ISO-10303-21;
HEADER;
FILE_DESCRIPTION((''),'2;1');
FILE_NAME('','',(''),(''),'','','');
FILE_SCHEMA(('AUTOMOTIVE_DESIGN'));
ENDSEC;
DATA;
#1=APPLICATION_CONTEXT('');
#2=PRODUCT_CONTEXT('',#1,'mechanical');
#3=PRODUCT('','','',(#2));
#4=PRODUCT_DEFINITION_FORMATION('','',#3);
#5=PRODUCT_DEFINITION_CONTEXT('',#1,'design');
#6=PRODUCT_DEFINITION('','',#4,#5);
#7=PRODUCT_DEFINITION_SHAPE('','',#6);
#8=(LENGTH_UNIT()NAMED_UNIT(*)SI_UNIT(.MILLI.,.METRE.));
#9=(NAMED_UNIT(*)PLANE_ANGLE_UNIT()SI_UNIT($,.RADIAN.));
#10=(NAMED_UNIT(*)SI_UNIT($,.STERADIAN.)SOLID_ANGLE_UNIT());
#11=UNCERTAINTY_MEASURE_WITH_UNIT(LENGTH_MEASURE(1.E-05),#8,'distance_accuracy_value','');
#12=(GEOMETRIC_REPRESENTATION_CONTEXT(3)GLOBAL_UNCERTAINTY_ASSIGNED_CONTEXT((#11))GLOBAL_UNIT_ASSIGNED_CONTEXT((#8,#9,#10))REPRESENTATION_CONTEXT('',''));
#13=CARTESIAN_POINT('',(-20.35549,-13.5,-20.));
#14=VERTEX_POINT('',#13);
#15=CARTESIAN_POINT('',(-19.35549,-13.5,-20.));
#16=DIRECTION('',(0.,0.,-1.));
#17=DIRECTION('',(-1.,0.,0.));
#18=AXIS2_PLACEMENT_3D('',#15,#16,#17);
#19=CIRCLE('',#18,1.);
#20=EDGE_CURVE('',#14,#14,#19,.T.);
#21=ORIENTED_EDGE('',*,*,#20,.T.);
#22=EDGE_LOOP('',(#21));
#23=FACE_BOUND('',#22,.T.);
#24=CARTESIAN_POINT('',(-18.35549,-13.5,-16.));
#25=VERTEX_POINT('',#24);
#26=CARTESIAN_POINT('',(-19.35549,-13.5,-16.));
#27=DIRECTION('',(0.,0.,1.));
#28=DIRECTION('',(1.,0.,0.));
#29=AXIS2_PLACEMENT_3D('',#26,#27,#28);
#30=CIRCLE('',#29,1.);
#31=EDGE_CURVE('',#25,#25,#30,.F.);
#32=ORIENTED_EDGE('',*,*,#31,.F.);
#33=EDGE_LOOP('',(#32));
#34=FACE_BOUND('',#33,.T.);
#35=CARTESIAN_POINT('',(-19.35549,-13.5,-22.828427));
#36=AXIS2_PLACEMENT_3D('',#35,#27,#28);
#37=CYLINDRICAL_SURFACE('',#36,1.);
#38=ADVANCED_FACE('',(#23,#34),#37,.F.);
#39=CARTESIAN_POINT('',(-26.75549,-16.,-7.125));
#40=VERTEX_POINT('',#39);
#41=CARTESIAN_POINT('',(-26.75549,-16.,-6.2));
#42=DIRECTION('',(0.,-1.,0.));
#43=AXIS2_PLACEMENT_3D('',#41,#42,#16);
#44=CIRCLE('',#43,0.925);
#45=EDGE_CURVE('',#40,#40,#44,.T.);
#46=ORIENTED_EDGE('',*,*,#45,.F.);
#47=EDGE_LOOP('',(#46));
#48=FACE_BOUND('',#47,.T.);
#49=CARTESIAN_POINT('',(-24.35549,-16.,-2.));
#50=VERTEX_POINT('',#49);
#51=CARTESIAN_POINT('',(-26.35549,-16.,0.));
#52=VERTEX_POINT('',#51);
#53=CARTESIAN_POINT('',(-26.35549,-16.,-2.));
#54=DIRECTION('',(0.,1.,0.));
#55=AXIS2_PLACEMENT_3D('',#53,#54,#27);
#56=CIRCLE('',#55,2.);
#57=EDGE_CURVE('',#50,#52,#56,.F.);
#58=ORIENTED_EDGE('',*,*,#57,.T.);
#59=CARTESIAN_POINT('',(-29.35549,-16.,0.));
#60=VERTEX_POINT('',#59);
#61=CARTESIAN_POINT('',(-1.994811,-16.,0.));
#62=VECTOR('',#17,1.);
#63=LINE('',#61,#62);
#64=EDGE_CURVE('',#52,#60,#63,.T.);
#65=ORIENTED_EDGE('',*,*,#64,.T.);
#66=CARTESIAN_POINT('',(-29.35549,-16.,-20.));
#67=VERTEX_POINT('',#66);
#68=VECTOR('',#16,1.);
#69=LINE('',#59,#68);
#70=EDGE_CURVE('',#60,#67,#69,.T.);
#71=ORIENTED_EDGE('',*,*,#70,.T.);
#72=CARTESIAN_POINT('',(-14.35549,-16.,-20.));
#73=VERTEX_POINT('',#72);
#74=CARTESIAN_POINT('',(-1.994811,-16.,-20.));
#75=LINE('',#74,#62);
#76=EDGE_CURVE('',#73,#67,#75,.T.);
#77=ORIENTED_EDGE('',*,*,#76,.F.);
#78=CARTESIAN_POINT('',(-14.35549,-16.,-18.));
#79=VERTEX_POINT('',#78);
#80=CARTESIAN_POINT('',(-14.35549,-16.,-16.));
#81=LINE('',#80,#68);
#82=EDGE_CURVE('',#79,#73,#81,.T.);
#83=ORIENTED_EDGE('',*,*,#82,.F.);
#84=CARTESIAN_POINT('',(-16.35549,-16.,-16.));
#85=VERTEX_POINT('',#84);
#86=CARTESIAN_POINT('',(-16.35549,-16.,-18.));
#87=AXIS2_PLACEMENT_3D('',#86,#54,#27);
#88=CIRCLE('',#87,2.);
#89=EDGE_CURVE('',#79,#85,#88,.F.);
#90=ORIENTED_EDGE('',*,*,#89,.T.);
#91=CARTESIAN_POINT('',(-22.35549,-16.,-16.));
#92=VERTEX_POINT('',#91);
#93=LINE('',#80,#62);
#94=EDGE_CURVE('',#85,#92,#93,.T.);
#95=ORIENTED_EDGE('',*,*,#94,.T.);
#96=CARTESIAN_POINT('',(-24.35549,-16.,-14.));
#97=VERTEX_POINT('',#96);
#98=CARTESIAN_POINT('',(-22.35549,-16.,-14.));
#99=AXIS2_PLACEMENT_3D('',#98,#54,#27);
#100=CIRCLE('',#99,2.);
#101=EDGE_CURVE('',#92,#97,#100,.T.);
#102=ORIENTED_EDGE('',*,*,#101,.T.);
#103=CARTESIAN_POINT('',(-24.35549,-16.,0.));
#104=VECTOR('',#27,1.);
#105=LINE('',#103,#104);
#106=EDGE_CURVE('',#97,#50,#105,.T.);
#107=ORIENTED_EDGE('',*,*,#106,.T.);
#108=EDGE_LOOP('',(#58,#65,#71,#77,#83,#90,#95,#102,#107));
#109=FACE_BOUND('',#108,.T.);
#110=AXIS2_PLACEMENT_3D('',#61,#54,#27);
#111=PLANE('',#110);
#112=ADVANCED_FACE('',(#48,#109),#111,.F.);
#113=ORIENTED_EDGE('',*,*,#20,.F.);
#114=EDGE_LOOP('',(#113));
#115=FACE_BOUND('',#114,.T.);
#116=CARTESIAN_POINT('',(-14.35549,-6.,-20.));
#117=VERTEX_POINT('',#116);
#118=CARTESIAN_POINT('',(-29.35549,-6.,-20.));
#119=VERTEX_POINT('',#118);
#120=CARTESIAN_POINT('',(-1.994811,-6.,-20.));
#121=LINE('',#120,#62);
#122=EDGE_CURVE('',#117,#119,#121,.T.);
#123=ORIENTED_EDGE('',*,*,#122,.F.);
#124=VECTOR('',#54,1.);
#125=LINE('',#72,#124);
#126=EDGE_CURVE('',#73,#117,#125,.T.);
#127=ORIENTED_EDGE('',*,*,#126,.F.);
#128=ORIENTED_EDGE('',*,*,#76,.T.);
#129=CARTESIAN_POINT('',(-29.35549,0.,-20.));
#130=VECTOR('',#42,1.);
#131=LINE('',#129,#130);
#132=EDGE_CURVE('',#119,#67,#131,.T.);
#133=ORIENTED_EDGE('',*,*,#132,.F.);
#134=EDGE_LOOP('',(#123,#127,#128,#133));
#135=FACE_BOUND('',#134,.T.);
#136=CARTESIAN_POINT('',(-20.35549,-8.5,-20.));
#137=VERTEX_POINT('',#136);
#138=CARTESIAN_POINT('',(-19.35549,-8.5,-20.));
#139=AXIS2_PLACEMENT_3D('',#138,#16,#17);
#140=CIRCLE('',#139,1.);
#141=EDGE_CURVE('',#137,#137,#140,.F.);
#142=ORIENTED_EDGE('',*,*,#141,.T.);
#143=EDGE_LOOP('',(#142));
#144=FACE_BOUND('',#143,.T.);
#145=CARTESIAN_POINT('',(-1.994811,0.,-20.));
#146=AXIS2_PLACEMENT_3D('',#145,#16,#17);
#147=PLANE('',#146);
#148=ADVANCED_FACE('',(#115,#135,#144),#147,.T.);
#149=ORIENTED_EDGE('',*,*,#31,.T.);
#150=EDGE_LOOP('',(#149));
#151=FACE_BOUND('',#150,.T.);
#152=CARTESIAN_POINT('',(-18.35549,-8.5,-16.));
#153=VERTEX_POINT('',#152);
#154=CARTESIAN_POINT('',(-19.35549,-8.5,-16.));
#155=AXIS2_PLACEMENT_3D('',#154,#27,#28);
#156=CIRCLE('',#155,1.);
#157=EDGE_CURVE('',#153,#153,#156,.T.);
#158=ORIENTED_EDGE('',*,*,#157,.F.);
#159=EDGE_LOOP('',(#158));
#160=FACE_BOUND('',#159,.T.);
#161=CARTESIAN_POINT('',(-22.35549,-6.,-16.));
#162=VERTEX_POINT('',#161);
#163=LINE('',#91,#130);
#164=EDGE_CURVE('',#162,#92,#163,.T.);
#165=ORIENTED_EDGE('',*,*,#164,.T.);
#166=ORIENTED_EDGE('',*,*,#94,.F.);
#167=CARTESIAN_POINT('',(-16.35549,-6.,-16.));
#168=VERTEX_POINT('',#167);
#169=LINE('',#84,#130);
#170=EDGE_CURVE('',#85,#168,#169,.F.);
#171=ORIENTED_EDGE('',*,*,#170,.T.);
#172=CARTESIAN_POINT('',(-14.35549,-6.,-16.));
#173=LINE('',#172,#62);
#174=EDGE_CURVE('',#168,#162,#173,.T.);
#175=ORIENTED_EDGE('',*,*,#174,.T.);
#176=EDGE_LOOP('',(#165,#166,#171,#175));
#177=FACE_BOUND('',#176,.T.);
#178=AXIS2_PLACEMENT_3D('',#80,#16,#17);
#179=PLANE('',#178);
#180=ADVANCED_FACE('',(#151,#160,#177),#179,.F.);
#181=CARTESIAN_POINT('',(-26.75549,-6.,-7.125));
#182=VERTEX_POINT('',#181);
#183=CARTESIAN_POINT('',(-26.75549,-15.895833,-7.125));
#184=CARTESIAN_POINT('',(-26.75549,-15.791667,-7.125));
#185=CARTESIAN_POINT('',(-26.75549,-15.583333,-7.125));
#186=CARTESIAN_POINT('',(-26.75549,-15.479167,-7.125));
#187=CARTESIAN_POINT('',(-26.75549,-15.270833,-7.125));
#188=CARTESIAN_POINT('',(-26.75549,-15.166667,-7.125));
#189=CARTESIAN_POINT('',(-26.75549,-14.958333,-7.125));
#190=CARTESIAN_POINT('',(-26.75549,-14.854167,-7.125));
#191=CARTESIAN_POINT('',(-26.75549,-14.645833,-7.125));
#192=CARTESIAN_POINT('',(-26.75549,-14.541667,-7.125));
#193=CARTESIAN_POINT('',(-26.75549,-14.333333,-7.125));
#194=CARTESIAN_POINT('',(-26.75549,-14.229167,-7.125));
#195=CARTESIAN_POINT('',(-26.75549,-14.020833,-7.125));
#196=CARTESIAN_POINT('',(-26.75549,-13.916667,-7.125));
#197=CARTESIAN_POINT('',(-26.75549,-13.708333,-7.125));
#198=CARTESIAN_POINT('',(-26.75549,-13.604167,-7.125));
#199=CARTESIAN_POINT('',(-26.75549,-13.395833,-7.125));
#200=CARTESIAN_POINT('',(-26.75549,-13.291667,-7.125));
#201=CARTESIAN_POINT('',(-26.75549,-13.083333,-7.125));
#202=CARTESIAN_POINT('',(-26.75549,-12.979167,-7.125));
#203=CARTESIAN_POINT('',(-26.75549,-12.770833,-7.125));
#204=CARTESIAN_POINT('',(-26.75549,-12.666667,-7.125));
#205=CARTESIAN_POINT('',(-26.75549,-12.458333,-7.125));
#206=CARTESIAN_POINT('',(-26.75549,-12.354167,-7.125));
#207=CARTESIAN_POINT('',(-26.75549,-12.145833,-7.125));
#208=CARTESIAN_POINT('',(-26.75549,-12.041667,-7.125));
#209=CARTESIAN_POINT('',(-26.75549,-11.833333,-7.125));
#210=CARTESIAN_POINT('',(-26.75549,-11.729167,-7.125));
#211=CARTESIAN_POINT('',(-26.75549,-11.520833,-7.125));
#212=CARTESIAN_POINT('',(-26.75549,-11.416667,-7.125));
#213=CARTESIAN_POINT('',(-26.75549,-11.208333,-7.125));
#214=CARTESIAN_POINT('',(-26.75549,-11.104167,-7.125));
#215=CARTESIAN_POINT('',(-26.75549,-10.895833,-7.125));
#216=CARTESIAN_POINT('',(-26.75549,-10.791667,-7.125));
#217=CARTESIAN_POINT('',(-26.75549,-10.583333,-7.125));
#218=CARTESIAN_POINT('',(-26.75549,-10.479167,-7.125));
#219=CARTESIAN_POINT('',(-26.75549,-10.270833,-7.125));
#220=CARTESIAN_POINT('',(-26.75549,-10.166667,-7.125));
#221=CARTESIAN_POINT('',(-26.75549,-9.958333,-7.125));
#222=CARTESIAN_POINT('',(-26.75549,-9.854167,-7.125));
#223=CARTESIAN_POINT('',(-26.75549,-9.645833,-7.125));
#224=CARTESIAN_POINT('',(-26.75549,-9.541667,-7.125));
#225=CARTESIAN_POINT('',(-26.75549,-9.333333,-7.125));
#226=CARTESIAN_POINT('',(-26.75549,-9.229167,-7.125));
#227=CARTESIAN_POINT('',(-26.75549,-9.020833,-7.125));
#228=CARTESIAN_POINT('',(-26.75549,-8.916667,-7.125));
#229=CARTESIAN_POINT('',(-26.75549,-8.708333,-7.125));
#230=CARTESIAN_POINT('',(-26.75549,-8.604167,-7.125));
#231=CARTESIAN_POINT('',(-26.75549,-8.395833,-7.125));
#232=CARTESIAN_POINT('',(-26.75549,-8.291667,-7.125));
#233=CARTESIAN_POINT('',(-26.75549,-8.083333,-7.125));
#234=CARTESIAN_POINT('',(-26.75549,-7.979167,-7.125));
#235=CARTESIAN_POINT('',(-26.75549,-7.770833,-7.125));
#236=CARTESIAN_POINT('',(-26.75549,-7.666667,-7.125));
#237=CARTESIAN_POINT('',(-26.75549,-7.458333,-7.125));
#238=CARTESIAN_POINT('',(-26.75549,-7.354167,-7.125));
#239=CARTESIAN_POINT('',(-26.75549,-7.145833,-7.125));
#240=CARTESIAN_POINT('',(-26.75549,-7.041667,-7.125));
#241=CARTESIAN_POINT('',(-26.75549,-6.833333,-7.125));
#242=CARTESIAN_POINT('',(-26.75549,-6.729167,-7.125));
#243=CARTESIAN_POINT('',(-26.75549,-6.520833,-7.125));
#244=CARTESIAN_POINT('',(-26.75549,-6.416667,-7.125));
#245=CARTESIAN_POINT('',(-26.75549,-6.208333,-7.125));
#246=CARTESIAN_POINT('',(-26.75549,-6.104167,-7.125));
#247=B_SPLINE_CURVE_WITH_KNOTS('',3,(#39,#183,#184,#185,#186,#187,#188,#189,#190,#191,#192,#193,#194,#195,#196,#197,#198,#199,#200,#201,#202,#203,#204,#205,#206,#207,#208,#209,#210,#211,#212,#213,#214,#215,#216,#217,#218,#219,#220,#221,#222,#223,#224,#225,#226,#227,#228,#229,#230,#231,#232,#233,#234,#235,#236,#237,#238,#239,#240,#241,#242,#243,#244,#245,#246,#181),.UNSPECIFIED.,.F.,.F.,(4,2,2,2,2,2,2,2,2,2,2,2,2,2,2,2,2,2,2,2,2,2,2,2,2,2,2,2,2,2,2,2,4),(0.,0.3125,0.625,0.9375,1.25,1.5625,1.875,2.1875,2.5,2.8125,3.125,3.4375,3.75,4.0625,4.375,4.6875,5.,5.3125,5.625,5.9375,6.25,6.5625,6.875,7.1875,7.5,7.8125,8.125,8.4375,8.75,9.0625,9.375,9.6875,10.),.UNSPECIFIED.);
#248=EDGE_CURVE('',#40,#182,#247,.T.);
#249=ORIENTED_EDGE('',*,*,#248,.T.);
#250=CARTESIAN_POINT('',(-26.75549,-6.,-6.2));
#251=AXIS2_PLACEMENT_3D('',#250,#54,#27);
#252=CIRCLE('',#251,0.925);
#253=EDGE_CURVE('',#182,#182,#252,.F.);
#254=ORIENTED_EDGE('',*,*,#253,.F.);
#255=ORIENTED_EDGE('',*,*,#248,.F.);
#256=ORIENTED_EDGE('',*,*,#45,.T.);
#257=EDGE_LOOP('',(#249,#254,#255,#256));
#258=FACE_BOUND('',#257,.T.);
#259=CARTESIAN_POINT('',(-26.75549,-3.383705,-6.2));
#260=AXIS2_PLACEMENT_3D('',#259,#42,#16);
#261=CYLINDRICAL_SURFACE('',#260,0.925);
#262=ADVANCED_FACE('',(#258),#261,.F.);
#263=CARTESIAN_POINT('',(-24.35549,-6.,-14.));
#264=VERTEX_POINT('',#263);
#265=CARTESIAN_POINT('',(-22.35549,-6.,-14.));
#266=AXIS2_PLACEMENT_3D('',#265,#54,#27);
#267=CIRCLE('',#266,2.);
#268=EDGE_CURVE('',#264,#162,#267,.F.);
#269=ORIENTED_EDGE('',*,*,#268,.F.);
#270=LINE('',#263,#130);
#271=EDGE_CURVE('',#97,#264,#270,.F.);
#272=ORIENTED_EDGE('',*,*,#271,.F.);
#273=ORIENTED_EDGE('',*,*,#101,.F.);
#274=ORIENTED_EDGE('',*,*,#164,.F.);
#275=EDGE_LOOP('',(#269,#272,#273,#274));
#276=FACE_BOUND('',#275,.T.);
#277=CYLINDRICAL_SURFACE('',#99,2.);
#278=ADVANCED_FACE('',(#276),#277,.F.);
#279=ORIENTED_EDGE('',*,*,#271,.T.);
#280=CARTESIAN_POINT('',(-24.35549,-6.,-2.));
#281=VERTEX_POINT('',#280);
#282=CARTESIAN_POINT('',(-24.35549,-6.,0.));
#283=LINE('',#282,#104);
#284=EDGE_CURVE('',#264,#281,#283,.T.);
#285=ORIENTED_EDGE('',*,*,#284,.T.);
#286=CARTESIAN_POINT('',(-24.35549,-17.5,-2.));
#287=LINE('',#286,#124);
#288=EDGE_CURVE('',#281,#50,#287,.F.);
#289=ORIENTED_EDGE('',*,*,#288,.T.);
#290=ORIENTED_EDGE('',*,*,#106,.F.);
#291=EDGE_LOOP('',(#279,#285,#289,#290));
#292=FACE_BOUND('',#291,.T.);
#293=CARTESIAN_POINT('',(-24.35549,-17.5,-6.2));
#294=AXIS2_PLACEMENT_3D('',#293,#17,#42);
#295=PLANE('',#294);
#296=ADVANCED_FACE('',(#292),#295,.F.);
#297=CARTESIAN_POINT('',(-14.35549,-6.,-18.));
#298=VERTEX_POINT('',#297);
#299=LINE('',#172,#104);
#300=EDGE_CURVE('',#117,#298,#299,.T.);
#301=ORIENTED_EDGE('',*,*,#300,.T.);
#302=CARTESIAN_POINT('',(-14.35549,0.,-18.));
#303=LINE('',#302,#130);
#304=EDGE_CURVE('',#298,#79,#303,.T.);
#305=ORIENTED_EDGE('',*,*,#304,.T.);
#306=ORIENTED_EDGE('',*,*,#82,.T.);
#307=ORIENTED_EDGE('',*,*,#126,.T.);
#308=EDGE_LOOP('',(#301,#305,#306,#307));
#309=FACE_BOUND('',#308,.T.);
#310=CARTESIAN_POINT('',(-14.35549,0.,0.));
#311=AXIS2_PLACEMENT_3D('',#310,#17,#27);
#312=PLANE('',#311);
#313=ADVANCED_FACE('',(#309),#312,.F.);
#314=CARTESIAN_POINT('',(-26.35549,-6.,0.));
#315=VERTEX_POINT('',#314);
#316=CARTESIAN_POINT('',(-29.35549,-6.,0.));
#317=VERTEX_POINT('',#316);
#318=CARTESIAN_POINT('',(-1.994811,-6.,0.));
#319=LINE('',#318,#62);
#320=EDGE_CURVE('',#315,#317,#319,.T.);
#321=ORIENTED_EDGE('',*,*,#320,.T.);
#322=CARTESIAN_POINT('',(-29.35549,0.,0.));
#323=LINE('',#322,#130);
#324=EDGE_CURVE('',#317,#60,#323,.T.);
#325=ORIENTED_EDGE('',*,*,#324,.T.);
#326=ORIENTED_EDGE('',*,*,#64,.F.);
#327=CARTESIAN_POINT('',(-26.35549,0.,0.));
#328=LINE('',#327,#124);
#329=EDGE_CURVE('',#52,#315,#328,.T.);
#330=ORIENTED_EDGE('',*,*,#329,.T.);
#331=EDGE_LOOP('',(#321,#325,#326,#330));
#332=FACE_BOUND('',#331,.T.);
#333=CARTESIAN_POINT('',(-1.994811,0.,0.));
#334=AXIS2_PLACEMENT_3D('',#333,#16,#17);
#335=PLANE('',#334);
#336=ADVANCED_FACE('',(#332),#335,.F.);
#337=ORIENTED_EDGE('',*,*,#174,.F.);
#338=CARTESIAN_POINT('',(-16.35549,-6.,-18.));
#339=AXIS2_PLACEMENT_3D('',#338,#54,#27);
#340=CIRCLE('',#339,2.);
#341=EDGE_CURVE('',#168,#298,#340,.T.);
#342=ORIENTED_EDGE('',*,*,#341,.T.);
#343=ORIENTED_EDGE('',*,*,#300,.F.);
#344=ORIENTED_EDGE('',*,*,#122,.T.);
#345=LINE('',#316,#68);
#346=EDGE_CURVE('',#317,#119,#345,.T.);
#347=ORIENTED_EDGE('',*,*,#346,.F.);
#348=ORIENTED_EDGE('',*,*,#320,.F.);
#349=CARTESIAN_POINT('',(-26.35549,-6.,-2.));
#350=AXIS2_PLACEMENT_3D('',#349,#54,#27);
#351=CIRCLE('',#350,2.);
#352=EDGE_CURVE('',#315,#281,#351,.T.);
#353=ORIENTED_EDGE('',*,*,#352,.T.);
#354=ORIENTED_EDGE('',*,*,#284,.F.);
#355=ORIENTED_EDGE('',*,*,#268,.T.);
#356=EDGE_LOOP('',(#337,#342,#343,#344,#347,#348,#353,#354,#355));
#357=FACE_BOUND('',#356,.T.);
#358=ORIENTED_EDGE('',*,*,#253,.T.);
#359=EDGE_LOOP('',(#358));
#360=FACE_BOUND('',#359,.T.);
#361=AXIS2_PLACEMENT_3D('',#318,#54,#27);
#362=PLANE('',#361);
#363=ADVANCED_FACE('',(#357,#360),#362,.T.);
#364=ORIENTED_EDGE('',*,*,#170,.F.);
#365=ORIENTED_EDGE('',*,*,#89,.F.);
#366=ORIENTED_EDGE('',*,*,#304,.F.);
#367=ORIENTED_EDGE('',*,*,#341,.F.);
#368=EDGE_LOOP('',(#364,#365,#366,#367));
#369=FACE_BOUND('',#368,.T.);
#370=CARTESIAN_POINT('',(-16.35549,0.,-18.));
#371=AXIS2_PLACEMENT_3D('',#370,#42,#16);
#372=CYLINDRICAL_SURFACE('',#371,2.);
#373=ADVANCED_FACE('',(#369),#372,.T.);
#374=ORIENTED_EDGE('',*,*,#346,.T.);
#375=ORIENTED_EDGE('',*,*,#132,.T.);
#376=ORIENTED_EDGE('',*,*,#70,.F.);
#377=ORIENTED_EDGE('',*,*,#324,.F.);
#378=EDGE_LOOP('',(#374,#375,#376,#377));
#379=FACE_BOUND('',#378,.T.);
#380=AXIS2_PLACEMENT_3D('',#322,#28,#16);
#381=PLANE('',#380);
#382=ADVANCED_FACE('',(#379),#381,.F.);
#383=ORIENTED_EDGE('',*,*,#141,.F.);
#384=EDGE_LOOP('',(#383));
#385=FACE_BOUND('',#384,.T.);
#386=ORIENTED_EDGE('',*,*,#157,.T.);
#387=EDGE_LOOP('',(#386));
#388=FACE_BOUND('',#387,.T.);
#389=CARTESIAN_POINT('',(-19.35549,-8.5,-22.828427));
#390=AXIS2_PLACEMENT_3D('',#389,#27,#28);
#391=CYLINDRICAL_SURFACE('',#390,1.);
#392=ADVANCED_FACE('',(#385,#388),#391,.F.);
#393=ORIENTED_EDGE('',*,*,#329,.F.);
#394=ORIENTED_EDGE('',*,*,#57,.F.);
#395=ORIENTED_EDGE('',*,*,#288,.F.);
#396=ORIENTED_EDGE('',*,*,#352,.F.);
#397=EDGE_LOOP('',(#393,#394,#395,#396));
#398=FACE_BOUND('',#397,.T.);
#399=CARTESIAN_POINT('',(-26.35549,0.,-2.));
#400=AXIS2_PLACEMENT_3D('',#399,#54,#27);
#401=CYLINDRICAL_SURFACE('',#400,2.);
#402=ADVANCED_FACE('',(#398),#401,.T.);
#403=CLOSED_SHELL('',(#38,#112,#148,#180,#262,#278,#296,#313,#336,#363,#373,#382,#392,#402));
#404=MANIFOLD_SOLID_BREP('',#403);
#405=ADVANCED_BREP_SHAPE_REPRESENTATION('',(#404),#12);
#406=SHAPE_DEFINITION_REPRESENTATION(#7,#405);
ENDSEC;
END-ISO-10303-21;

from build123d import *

# Parameters (mm, degrees)
SKETCH2_W           = 12.4
SKETCH2_H           = 10
SKETCH2_W_2         = 7.6
BOSS_EXTRUDE1_DEPTH = 5
SKETCH3_R           = 0.925
CUT_EXTRUDE1_DEPTH  = 10
SKETCH4_W           = 4
SKETCH4_H           = 10
BOSS_EXTRUDE2_DEPTH = 10
FILLET1_R           = 2
SKETCH5_R           = 1
CUT_EXTRUDE2_DEPTH  = 4


with BuildPart() as part:
    # Sketch2 → Boss-Extrude1 (new body)
    with BuildSketch(Plane(origin=(-29.355490461, 0, 0), x_dir=(0, 0, -1), z_dir=(1, 0, 0))):
        with Locations((6.2, -11)):
            Rectangle(SKETCH2_W, SKETCH2_H)
        with Locations((16.2, -11)):
            Rectangle(SKETCH2_W_2, SKETCH2_H)
    extrude(amount=BOSS_EXTRUDE1_DEPTH)

    # Sketch3 → Cut-Extrude1 (cut)
    with BuildSketch(Plane(origin=(0, -16, 0), x_dir=(-1, 0, 0), z_dir=(0, -1, 0))):
        with Locations(Location((26.755490461, 6.2, 0), (0, 0, 90))):
            Circle(SKETCH3_R)
    extrude(amount=-CUT_EXTRUDE1_DEPTH, mode=Mode.SUBTRACT)

    # Sketch4 → Boss-Extrude2 (add)
    with BuildSketch(Plane(origin=(-24.355490461, 0, 0), x_dir=(0, 0, -1), z_dir=(1, 0, 0))):
        with Locations((18, -11)):
            Rectangle(SKETCH4_W, SKETCH4_H)
    extrude(amount=BOSS_EXTRUDE2_DEPTH)

    # Fillet1
    fillet1_edges = [part.edges().sort_by_distance(p)[0] for p in [
        (-24.355490461, -11, 0),
        (-24.355490461, -11, -16),
        (-14.355490461, -11, -16),
    ]]
    fillet(fillet1_edges, radius=FILLET1_R)

    # Sketch5 → Cut-Extrude2 (cut)
    with BuildSketch(Plane.XY.offset(-16)):
        with Locations((-19.355490461, -8.5)):
            Circle(SKETCH5_R)
        with Locations((-19.355490461, -13.5)):
            Circle(SKETCH5_R)
    extrude(amount=-CUT_EXTRUDE2_DEPTH, mode=Mode.SUBTRACT)


solid = part.part
